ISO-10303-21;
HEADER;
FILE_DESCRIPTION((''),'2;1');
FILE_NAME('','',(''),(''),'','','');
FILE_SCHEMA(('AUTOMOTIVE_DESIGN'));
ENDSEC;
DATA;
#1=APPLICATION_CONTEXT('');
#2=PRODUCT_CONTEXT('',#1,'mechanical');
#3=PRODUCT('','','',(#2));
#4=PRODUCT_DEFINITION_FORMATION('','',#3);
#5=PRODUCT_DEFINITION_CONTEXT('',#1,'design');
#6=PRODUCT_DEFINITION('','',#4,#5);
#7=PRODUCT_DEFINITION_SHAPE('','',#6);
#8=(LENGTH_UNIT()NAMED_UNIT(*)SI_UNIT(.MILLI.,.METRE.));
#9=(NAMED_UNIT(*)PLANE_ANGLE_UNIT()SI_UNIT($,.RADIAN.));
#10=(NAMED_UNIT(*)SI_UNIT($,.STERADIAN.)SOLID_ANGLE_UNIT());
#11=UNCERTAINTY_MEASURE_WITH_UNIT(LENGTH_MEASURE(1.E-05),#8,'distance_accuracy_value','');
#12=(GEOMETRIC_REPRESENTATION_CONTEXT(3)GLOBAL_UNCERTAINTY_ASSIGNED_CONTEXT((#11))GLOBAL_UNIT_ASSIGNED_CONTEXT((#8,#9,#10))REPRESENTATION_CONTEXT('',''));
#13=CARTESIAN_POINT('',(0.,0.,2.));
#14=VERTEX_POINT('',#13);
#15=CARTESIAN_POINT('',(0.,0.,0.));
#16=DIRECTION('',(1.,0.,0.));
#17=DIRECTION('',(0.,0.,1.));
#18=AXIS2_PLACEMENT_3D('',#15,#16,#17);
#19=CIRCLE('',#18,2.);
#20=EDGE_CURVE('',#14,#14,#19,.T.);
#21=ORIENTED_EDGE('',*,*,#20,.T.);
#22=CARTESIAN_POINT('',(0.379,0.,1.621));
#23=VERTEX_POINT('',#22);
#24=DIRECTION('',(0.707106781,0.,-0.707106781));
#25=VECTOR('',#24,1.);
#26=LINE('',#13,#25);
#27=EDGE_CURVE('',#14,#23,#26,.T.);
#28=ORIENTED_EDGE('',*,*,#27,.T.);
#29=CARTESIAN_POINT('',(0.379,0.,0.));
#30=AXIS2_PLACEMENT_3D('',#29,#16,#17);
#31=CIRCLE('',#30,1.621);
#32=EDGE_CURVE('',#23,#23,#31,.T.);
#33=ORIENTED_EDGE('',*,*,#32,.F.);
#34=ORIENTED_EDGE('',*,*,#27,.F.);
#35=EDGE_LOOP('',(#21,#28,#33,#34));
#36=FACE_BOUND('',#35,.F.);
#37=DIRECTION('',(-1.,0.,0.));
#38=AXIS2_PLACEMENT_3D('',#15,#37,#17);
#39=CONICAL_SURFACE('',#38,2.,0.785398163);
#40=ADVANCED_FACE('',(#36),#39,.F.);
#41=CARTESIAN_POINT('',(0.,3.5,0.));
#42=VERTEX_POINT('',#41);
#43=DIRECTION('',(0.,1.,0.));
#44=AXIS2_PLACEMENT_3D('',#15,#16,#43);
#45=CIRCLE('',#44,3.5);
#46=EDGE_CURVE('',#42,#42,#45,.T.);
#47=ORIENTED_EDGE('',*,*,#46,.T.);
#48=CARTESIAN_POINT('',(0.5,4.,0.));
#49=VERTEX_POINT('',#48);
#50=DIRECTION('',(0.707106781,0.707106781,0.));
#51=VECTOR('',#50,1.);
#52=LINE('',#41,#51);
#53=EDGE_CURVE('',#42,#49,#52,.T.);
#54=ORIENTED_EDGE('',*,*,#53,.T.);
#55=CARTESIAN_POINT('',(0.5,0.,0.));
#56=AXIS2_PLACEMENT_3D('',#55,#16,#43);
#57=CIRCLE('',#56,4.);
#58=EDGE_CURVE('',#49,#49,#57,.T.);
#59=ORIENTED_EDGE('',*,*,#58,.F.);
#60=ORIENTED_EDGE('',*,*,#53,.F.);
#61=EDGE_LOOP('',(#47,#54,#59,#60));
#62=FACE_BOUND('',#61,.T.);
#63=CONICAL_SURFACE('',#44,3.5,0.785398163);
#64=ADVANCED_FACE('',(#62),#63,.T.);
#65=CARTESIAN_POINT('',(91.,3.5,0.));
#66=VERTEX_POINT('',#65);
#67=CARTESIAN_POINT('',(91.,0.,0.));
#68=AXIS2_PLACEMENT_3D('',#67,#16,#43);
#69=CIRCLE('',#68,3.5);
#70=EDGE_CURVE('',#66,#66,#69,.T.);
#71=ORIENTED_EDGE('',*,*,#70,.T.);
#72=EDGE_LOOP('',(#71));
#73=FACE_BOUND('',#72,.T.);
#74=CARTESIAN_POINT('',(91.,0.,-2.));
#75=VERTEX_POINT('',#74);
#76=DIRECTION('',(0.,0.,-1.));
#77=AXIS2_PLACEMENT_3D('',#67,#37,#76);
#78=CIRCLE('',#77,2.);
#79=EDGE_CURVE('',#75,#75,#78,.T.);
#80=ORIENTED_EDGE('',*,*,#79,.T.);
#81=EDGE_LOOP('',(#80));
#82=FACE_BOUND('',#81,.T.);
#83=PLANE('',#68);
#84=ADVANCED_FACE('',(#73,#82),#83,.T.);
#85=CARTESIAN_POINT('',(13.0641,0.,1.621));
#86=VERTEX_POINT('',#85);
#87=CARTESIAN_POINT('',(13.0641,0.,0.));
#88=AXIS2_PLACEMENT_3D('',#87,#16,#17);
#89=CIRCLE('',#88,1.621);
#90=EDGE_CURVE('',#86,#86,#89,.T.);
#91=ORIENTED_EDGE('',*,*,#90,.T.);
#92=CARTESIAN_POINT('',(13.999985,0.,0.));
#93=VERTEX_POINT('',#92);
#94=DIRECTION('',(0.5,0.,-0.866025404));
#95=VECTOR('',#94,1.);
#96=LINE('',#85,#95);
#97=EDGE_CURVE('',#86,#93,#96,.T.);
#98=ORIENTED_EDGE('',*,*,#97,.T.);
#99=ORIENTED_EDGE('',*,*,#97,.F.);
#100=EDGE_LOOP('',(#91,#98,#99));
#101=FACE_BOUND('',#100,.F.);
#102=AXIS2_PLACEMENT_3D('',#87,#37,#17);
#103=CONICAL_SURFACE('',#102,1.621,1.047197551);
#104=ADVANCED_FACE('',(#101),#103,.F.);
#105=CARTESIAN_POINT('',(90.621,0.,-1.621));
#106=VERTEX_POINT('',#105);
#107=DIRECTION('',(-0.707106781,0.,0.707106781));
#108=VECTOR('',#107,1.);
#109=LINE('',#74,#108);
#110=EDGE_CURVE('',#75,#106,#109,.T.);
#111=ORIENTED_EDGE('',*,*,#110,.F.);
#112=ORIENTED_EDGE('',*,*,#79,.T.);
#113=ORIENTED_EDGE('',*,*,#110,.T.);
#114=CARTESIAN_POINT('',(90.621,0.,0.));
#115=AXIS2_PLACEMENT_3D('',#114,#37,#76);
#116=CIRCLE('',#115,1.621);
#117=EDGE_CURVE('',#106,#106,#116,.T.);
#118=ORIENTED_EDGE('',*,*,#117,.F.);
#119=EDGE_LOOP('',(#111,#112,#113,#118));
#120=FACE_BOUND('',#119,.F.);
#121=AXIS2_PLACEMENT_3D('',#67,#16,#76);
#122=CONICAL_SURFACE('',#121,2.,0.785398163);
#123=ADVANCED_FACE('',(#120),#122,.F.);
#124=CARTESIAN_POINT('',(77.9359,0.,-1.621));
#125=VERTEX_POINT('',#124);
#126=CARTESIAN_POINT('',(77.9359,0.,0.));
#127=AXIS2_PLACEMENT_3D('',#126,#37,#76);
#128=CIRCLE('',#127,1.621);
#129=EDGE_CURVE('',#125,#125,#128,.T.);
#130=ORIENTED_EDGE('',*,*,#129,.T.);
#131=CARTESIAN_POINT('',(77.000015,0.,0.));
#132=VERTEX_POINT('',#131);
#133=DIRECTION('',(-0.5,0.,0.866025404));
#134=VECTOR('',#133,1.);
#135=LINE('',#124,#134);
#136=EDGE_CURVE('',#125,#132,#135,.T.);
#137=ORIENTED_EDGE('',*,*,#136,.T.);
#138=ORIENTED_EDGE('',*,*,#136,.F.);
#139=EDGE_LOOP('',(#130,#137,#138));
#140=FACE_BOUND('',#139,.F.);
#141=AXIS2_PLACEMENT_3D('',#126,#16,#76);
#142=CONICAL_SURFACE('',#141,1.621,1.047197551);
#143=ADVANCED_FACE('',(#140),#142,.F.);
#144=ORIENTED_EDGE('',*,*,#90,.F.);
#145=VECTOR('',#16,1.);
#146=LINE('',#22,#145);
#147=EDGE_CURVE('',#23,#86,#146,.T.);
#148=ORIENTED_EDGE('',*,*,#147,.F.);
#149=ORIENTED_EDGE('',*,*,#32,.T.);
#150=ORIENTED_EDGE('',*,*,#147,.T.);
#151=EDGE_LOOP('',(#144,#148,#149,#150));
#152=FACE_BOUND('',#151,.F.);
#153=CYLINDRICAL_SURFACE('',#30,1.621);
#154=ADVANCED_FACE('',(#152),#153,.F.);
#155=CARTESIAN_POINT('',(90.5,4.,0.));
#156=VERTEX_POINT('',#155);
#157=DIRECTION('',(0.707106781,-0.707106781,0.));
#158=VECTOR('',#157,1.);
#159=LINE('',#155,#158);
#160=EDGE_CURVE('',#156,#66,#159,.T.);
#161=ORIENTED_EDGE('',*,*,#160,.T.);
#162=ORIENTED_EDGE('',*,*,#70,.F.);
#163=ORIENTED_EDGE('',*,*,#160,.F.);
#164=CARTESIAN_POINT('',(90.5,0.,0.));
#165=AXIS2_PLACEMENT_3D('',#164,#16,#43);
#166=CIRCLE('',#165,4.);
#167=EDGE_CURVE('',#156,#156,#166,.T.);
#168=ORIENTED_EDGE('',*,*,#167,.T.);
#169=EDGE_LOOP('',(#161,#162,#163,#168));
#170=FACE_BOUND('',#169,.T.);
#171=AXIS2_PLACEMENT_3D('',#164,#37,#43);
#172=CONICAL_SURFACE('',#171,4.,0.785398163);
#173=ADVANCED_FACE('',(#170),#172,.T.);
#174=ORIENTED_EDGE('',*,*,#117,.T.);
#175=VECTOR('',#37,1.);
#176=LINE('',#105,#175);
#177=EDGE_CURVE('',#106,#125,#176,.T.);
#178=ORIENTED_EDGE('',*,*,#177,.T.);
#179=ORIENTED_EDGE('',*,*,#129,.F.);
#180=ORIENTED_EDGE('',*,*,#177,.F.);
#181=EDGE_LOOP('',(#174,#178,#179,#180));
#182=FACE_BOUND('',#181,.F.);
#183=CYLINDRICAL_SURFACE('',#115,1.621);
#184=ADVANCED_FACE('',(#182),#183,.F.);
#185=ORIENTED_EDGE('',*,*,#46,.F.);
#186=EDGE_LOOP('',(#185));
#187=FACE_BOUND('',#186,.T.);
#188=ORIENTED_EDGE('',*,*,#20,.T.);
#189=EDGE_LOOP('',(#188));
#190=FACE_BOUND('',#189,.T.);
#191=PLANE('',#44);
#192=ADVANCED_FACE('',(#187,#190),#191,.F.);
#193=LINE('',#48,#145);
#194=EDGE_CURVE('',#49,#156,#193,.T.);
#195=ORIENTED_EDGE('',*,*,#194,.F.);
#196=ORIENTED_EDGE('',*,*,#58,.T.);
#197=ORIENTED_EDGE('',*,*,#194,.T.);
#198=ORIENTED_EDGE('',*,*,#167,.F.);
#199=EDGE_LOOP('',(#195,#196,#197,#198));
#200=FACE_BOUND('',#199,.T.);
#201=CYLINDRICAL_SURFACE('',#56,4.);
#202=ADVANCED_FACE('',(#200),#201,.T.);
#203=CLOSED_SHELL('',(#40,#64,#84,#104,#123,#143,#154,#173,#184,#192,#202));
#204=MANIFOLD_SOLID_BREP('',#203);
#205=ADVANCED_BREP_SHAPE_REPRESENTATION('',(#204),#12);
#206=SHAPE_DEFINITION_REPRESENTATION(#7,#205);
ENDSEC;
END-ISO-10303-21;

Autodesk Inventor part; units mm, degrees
ref_plane "YZ Plane" through (0, 0, 0) normal (1, 0, 0) x (0, 1, 0)
ref_plane "XZ Plane" through (0, 0, 0) normal (0, 1, 0) x (-1, 0, 0)
ref_plane "XY Plane" through (0, 0, 0) normal (0, 0, 1) x (1, 0, 0)
sketch "Sketch_1" plane through (0, 0, 0) normal (0, 0, 1) x (1, 0, 0)
  line L0 (91, 0) -> (0, 0)
  line L1 (0, 0) -> (0, 3.5)
  line L2 (0, 3.5) -> (0.5, 4)
  line L3 (0.5, 4) -> (90.5, 4)
  line L4 (90.5, 4) -> (91, 3.5)
  line L5 (91, 3.5) -> (91, 0)
  line L6 (91, 0) -> (0, 0)
revolve "Revolution1" add sketch "Sketch_1" angle 360 about axis through (91, 0, 0) along (1, 0, 0)
sketch "Sketch2" plane through (0, 0, 0) normal (-1, 0, 0) x (0, 0, 1)
  point P0 (0, 0)
hole "Hole1" at (0, 0, 0) direction (1, 0, 0) diameter 3.242 depth 13.0641 tip angle 120 countersink diameter 4 countersink angle 90 thread size "M4x0.7" class "6H" standard "ISO Metric profile"
sketch "Sketch3" plane through (91, 0, 0) normal (1, 0, 0) x (0, 0, -1)
  point P0 (0, 0)
hole "Hole2" at (91, 0, 0) direction (-1, 0, 0) diameter 3.242 depth 13.0641 tip angle 120 countersink diameter 4 countersink angle 90 thread size "M4x0.7" class "6H" standard "ISO Metric profile"
properties part number "SFHRW8-91-M4-N4" material "鋼、炭素鋼"
